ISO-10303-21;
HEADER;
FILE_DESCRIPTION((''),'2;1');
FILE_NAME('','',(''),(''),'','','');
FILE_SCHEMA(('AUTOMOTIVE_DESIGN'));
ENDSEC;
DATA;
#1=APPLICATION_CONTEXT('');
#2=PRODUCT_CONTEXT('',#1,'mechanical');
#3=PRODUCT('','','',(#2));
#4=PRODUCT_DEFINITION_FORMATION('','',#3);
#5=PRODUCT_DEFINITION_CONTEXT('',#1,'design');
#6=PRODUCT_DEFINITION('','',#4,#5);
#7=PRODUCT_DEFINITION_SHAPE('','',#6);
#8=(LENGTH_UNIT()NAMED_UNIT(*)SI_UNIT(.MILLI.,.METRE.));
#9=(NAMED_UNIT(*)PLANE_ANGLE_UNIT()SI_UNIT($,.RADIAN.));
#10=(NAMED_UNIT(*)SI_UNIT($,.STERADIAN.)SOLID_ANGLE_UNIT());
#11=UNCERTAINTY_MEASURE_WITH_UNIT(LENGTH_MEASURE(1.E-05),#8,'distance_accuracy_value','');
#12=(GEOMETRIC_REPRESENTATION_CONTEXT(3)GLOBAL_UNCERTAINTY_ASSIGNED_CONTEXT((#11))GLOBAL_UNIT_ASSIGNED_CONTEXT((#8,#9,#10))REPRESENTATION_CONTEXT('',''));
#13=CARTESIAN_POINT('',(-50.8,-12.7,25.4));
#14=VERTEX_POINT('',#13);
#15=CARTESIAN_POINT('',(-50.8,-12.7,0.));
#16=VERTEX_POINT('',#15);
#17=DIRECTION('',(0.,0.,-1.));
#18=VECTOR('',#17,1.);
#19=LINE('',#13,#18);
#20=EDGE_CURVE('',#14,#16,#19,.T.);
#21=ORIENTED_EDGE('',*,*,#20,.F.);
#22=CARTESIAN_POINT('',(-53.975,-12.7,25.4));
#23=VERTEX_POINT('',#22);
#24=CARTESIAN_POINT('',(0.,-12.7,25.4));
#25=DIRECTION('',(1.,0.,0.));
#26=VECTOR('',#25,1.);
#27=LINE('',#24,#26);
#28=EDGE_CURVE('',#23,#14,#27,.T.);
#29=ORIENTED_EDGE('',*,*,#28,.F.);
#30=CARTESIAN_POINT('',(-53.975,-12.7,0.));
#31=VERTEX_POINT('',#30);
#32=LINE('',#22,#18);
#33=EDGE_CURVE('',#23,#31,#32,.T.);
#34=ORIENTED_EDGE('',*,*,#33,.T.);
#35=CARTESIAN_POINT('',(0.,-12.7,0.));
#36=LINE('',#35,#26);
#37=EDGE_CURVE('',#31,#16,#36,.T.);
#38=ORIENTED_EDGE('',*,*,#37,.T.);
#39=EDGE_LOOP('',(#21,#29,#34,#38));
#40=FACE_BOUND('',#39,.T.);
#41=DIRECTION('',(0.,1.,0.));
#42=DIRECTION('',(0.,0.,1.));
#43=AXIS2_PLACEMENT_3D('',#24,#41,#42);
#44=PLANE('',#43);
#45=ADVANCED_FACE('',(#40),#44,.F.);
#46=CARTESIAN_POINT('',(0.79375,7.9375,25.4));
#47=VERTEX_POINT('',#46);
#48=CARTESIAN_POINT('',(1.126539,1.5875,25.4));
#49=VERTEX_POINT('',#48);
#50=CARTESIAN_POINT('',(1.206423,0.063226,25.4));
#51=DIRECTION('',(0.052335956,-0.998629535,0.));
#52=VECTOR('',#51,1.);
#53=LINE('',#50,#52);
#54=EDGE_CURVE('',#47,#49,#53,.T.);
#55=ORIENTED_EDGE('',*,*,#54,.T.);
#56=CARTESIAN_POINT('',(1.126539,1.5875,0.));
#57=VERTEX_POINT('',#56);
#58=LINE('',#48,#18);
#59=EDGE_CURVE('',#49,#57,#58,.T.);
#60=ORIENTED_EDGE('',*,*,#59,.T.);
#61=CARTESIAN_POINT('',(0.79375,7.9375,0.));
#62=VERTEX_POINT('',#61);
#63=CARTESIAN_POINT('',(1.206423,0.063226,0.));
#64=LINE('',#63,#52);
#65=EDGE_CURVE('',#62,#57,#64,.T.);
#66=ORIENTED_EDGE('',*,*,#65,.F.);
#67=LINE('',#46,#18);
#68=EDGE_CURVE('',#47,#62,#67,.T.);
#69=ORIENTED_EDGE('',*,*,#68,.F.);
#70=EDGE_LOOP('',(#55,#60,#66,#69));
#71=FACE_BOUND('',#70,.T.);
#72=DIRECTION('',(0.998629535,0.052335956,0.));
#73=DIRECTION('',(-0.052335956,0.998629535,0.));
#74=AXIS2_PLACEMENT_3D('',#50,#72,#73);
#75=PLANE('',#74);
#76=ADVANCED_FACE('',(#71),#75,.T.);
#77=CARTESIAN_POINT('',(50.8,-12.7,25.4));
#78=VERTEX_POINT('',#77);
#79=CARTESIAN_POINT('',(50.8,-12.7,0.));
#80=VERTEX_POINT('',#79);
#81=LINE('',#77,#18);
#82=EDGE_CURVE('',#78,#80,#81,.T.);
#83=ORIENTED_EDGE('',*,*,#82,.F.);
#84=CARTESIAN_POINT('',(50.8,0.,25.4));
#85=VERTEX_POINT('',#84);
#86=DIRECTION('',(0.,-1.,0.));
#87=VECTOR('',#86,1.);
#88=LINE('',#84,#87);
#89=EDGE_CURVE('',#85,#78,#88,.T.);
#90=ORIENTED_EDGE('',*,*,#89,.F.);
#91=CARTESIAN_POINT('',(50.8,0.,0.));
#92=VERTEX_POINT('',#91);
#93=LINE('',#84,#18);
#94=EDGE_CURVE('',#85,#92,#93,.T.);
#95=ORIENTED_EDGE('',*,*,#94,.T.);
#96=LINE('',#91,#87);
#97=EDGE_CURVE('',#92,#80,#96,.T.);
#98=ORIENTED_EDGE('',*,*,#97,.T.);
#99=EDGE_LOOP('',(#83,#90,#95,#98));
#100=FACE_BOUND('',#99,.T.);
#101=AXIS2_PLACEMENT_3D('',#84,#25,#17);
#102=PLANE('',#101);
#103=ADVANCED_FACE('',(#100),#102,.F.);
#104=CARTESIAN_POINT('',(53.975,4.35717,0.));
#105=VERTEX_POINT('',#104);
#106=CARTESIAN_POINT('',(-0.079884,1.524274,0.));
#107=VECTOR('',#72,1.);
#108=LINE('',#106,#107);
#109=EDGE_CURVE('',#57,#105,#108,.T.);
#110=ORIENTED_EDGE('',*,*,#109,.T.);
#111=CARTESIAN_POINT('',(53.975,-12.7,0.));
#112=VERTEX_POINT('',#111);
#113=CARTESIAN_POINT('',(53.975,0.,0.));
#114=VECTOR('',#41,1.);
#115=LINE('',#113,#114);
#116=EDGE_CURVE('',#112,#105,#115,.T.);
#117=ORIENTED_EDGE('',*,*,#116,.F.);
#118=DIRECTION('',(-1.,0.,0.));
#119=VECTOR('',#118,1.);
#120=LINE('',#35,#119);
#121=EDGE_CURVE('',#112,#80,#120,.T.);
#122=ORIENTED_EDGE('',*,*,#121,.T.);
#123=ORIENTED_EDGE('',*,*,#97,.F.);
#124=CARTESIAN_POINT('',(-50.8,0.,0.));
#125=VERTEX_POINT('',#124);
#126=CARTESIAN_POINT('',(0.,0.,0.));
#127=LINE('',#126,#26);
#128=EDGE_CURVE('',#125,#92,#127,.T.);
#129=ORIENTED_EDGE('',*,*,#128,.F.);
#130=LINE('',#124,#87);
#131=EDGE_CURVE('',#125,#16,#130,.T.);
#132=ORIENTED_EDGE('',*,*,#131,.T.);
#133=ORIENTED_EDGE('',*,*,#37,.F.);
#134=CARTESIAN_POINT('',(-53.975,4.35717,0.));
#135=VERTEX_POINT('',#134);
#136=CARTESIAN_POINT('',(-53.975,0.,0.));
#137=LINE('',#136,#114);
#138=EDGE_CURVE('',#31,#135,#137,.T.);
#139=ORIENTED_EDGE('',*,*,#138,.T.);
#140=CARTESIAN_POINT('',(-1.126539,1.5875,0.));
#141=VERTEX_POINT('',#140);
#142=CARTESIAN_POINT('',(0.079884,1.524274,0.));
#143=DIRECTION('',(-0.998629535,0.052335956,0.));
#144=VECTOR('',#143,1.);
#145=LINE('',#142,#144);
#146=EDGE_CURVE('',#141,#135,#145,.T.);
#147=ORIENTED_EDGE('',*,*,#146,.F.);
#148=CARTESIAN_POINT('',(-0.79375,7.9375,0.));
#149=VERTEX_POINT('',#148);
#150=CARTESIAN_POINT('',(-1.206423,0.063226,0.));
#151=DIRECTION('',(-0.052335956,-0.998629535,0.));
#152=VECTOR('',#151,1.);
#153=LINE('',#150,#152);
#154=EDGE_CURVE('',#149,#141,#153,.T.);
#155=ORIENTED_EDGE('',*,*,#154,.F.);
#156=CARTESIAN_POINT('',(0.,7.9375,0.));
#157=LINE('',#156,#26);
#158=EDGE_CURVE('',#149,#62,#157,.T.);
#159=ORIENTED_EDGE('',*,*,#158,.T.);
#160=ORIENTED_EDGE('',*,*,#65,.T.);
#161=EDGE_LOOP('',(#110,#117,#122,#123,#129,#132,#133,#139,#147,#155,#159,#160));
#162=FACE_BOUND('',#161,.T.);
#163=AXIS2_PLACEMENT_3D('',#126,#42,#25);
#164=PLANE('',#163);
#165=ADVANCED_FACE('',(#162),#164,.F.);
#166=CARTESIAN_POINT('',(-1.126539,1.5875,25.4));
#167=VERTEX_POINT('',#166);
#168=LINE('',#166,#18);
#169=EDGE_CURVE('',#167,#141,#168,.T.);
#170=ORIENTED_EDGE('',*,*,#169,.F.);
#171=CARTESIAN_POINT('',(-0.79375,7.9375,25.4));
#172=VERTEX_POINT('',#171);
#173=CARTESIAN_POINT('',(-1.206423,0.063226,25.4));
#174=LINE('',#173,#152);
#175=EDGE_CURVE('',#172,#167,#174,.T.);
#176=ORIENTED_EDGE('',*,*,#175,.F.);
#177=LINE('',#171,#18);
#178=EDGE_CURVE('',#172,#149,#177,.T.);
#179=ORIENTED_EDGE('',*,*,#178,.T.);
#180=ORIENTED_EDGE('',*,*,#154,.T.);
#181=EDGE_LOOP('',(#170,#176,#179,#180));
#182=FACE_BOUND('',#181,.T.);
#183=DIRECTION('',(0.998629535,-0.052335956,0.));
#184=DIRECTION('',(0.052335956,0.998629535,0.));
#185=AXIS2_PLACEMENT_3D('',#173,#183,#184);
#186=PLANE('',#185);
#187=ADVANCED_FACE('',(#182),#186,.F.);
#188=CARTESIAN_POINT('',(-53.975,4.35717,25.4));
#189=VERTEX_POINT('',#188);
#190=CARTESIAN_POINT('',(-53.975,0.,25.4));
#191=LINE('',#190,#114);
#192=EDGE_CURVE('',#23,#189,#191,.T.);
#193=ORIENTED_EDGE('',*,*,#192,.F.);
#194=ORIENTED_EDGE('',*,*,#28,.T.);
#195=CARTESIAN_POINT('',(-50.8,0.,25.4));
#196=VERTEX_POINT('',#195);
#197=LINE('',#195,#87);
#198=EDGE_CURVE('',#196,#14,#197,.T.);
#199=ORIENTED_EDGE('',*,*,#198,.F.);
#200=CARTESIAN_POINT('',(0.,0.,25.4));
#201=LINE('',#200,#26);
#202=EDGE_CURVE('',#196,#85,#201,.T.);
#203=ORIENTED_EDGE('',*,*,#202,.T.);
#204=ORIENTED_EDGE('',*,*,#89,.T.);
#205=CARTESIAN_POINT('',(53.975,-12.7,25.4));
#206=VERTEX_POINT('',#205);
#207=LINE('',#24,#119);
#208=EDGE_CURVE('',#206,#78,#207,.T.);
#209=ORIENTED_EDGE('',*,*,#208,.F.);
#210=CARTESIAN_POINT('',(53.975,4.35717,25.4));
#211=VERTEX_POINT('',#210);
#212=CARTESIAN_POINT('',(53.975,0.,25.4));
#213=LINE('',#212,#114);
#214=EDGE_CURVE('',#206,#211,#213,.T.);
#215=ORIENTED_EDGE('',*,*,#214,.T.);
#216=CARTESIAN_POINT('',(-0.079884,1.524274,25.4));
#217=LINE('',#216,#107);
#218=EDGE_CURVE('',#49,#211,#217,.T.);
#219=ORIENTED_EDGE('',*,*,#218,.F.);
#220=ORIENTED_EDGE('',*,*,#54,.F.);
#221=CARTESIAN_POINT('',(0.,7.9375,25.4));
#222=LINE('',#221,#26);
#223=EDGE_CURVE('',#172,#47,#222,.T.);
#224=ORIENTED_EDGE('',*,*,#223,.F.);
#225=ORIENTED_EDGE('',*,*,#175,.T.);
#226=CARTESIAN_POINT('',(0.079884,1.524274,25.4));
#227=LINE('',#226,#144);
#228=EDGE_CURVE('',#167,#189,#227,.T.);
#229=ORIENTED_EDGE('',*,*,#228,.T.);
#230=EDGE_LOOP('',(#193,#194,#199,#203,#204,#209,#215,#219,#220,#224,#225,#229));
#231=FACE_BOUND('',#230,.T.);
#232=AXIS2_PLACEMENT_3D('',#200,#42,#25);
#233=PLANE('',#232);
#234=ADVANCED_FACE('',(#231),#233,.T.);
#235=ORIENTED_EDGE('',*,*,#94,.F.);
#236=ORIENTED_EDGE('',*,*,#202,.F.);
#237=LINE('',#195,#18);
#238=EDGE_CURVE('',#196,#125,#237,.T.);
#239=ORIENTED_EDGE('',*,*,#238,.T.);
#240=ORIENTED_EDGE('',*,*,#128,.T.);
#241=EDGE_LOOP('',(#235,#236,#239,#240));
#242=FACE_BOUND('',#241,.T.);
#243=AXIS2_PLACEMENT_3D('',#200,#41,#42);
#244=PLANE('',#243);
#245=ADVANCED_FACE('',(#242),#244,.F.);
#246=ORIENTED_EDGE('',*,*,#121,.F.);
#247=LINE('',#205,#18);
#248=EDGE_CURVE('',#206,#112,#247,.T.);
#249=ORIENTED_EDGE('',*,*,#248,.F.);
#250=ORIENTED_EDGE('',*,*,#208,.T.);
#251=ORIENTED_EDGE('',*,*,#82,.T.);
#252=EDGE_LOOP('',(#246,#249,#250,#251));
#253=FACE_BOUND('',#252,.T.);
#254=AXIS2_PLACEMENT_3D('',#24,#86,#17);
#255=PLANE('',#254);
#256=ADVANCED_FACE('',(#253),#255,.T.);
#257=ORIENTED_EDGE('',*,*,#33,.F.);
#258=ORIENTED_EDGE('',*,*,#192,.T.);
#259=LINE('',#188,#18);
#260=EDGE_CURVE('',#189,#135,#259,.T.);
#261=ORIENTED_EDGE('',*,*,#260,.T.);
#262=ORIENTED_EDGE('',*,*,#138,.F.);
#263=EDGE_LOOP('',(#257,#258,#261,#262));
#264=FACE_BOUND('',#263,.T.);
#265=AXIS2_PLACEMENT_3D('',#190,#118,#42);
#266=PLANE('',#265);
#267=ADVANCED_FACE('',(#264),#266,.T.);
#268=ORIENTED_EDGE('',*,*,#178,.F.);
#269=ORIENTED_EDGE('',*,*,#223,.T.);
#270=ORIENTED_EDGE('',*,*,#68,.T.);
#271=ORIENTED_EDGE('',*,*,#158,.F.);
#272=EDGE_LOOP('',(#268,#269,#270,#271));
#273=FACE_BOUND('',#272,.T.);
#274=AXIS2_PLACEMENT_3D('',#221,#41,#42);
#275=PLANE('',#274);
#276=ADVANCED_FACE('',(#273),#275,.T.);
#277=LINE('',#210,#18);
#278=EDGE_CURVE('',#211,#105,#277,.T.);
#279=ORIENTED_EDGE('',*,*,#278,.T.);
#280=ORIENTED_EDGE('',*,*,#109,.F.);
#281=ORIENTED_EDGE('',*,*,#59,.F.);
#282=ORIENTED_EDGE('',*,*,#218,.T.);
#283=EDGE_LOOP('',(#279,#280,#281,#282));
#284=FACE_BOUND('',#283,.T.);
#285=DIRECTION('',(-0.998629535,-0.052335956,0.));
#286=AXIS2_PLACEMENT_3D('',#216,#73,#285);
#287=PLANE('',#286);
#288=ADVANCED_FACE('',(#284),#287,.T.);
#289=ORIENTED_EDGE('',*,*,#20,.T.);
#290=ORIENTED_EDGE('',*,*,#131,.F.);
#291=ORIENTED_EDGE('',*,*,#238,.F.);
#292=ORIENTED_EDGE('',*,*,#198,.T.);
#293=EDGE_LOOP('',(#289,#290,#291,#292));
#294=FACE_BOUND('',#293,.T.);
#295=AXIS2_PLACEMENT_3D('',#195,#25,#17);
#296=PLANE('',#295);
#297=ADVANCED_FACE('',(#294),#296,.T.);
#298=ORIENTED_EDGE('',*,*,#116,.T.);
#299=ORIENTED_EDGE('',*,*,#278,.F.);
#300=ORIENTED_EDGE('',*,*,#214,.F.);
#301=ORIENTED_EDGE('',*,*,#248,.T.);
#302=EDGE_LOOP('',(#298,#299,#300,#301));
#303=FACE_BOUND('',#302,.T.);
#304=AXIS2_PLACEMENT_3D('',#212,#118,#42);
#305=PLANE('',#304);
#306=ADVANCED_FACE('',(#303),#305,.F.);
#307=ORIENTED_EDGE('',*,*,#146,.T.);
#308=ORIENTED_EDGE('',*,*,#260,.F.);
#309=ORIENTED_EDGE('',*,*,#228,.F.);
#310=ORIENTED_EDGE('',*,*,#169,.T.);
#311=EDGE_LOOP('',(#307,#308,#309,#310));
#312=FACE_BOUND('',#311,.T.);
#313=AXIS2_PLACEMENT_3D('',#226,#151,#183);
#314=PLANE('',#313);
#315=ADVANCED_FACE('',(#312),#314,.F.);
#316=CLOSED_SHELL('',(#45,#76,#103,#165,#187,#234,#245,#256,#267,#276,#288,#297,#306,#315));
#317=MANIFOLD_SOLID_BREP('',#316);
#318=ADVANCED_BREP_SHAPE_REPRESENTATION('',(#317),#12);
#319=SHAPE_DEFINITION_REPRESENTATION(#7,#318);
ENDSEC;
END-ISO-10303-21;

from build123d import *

# Parameters (mm, degrees)
SKETCH3_W           = 53.975
SKETCH3_H           = 1.5875
SKETCH3_W_2         = 3.175
SKETCH3_H_2         = 12.7
BOSS_EXTRUDE2_DEPTH = 25.4


with BuildPart() as part:
    # Sketch3 → Boss-Extrude2 (new body)
    with BuildSketch(Plane.XY):
        with Locations((26.9875, 0.79375)):
            Rectangle(SKETCH3_W, SKETCH3_H)
        with Locations((52.3875, -6.35)):
            Rectangle(SKETCH3_W_2, SKETCH3_H_2)
        Polygon((53.975, 4.357170459), (1.126539398, 1.5875), (53.975, 1.5875), align=None)
        Polygon((0, 7.9375), (0, 1.5875), (1.126539398, 1.5875), (0.79375, 7.9375), align=None)
    boss_extrude2 = extrude(amount=BOSS_EXTRUDE2_DEPTH)

    # Mirror1: Boss-Extrude2 across plane
    add(boss_extrude2.mirror(Plane(origin=(0, 0, 0), x_dir=(0, 0, 1), z_dir=(1, 0, 0))))


solid = part.part
